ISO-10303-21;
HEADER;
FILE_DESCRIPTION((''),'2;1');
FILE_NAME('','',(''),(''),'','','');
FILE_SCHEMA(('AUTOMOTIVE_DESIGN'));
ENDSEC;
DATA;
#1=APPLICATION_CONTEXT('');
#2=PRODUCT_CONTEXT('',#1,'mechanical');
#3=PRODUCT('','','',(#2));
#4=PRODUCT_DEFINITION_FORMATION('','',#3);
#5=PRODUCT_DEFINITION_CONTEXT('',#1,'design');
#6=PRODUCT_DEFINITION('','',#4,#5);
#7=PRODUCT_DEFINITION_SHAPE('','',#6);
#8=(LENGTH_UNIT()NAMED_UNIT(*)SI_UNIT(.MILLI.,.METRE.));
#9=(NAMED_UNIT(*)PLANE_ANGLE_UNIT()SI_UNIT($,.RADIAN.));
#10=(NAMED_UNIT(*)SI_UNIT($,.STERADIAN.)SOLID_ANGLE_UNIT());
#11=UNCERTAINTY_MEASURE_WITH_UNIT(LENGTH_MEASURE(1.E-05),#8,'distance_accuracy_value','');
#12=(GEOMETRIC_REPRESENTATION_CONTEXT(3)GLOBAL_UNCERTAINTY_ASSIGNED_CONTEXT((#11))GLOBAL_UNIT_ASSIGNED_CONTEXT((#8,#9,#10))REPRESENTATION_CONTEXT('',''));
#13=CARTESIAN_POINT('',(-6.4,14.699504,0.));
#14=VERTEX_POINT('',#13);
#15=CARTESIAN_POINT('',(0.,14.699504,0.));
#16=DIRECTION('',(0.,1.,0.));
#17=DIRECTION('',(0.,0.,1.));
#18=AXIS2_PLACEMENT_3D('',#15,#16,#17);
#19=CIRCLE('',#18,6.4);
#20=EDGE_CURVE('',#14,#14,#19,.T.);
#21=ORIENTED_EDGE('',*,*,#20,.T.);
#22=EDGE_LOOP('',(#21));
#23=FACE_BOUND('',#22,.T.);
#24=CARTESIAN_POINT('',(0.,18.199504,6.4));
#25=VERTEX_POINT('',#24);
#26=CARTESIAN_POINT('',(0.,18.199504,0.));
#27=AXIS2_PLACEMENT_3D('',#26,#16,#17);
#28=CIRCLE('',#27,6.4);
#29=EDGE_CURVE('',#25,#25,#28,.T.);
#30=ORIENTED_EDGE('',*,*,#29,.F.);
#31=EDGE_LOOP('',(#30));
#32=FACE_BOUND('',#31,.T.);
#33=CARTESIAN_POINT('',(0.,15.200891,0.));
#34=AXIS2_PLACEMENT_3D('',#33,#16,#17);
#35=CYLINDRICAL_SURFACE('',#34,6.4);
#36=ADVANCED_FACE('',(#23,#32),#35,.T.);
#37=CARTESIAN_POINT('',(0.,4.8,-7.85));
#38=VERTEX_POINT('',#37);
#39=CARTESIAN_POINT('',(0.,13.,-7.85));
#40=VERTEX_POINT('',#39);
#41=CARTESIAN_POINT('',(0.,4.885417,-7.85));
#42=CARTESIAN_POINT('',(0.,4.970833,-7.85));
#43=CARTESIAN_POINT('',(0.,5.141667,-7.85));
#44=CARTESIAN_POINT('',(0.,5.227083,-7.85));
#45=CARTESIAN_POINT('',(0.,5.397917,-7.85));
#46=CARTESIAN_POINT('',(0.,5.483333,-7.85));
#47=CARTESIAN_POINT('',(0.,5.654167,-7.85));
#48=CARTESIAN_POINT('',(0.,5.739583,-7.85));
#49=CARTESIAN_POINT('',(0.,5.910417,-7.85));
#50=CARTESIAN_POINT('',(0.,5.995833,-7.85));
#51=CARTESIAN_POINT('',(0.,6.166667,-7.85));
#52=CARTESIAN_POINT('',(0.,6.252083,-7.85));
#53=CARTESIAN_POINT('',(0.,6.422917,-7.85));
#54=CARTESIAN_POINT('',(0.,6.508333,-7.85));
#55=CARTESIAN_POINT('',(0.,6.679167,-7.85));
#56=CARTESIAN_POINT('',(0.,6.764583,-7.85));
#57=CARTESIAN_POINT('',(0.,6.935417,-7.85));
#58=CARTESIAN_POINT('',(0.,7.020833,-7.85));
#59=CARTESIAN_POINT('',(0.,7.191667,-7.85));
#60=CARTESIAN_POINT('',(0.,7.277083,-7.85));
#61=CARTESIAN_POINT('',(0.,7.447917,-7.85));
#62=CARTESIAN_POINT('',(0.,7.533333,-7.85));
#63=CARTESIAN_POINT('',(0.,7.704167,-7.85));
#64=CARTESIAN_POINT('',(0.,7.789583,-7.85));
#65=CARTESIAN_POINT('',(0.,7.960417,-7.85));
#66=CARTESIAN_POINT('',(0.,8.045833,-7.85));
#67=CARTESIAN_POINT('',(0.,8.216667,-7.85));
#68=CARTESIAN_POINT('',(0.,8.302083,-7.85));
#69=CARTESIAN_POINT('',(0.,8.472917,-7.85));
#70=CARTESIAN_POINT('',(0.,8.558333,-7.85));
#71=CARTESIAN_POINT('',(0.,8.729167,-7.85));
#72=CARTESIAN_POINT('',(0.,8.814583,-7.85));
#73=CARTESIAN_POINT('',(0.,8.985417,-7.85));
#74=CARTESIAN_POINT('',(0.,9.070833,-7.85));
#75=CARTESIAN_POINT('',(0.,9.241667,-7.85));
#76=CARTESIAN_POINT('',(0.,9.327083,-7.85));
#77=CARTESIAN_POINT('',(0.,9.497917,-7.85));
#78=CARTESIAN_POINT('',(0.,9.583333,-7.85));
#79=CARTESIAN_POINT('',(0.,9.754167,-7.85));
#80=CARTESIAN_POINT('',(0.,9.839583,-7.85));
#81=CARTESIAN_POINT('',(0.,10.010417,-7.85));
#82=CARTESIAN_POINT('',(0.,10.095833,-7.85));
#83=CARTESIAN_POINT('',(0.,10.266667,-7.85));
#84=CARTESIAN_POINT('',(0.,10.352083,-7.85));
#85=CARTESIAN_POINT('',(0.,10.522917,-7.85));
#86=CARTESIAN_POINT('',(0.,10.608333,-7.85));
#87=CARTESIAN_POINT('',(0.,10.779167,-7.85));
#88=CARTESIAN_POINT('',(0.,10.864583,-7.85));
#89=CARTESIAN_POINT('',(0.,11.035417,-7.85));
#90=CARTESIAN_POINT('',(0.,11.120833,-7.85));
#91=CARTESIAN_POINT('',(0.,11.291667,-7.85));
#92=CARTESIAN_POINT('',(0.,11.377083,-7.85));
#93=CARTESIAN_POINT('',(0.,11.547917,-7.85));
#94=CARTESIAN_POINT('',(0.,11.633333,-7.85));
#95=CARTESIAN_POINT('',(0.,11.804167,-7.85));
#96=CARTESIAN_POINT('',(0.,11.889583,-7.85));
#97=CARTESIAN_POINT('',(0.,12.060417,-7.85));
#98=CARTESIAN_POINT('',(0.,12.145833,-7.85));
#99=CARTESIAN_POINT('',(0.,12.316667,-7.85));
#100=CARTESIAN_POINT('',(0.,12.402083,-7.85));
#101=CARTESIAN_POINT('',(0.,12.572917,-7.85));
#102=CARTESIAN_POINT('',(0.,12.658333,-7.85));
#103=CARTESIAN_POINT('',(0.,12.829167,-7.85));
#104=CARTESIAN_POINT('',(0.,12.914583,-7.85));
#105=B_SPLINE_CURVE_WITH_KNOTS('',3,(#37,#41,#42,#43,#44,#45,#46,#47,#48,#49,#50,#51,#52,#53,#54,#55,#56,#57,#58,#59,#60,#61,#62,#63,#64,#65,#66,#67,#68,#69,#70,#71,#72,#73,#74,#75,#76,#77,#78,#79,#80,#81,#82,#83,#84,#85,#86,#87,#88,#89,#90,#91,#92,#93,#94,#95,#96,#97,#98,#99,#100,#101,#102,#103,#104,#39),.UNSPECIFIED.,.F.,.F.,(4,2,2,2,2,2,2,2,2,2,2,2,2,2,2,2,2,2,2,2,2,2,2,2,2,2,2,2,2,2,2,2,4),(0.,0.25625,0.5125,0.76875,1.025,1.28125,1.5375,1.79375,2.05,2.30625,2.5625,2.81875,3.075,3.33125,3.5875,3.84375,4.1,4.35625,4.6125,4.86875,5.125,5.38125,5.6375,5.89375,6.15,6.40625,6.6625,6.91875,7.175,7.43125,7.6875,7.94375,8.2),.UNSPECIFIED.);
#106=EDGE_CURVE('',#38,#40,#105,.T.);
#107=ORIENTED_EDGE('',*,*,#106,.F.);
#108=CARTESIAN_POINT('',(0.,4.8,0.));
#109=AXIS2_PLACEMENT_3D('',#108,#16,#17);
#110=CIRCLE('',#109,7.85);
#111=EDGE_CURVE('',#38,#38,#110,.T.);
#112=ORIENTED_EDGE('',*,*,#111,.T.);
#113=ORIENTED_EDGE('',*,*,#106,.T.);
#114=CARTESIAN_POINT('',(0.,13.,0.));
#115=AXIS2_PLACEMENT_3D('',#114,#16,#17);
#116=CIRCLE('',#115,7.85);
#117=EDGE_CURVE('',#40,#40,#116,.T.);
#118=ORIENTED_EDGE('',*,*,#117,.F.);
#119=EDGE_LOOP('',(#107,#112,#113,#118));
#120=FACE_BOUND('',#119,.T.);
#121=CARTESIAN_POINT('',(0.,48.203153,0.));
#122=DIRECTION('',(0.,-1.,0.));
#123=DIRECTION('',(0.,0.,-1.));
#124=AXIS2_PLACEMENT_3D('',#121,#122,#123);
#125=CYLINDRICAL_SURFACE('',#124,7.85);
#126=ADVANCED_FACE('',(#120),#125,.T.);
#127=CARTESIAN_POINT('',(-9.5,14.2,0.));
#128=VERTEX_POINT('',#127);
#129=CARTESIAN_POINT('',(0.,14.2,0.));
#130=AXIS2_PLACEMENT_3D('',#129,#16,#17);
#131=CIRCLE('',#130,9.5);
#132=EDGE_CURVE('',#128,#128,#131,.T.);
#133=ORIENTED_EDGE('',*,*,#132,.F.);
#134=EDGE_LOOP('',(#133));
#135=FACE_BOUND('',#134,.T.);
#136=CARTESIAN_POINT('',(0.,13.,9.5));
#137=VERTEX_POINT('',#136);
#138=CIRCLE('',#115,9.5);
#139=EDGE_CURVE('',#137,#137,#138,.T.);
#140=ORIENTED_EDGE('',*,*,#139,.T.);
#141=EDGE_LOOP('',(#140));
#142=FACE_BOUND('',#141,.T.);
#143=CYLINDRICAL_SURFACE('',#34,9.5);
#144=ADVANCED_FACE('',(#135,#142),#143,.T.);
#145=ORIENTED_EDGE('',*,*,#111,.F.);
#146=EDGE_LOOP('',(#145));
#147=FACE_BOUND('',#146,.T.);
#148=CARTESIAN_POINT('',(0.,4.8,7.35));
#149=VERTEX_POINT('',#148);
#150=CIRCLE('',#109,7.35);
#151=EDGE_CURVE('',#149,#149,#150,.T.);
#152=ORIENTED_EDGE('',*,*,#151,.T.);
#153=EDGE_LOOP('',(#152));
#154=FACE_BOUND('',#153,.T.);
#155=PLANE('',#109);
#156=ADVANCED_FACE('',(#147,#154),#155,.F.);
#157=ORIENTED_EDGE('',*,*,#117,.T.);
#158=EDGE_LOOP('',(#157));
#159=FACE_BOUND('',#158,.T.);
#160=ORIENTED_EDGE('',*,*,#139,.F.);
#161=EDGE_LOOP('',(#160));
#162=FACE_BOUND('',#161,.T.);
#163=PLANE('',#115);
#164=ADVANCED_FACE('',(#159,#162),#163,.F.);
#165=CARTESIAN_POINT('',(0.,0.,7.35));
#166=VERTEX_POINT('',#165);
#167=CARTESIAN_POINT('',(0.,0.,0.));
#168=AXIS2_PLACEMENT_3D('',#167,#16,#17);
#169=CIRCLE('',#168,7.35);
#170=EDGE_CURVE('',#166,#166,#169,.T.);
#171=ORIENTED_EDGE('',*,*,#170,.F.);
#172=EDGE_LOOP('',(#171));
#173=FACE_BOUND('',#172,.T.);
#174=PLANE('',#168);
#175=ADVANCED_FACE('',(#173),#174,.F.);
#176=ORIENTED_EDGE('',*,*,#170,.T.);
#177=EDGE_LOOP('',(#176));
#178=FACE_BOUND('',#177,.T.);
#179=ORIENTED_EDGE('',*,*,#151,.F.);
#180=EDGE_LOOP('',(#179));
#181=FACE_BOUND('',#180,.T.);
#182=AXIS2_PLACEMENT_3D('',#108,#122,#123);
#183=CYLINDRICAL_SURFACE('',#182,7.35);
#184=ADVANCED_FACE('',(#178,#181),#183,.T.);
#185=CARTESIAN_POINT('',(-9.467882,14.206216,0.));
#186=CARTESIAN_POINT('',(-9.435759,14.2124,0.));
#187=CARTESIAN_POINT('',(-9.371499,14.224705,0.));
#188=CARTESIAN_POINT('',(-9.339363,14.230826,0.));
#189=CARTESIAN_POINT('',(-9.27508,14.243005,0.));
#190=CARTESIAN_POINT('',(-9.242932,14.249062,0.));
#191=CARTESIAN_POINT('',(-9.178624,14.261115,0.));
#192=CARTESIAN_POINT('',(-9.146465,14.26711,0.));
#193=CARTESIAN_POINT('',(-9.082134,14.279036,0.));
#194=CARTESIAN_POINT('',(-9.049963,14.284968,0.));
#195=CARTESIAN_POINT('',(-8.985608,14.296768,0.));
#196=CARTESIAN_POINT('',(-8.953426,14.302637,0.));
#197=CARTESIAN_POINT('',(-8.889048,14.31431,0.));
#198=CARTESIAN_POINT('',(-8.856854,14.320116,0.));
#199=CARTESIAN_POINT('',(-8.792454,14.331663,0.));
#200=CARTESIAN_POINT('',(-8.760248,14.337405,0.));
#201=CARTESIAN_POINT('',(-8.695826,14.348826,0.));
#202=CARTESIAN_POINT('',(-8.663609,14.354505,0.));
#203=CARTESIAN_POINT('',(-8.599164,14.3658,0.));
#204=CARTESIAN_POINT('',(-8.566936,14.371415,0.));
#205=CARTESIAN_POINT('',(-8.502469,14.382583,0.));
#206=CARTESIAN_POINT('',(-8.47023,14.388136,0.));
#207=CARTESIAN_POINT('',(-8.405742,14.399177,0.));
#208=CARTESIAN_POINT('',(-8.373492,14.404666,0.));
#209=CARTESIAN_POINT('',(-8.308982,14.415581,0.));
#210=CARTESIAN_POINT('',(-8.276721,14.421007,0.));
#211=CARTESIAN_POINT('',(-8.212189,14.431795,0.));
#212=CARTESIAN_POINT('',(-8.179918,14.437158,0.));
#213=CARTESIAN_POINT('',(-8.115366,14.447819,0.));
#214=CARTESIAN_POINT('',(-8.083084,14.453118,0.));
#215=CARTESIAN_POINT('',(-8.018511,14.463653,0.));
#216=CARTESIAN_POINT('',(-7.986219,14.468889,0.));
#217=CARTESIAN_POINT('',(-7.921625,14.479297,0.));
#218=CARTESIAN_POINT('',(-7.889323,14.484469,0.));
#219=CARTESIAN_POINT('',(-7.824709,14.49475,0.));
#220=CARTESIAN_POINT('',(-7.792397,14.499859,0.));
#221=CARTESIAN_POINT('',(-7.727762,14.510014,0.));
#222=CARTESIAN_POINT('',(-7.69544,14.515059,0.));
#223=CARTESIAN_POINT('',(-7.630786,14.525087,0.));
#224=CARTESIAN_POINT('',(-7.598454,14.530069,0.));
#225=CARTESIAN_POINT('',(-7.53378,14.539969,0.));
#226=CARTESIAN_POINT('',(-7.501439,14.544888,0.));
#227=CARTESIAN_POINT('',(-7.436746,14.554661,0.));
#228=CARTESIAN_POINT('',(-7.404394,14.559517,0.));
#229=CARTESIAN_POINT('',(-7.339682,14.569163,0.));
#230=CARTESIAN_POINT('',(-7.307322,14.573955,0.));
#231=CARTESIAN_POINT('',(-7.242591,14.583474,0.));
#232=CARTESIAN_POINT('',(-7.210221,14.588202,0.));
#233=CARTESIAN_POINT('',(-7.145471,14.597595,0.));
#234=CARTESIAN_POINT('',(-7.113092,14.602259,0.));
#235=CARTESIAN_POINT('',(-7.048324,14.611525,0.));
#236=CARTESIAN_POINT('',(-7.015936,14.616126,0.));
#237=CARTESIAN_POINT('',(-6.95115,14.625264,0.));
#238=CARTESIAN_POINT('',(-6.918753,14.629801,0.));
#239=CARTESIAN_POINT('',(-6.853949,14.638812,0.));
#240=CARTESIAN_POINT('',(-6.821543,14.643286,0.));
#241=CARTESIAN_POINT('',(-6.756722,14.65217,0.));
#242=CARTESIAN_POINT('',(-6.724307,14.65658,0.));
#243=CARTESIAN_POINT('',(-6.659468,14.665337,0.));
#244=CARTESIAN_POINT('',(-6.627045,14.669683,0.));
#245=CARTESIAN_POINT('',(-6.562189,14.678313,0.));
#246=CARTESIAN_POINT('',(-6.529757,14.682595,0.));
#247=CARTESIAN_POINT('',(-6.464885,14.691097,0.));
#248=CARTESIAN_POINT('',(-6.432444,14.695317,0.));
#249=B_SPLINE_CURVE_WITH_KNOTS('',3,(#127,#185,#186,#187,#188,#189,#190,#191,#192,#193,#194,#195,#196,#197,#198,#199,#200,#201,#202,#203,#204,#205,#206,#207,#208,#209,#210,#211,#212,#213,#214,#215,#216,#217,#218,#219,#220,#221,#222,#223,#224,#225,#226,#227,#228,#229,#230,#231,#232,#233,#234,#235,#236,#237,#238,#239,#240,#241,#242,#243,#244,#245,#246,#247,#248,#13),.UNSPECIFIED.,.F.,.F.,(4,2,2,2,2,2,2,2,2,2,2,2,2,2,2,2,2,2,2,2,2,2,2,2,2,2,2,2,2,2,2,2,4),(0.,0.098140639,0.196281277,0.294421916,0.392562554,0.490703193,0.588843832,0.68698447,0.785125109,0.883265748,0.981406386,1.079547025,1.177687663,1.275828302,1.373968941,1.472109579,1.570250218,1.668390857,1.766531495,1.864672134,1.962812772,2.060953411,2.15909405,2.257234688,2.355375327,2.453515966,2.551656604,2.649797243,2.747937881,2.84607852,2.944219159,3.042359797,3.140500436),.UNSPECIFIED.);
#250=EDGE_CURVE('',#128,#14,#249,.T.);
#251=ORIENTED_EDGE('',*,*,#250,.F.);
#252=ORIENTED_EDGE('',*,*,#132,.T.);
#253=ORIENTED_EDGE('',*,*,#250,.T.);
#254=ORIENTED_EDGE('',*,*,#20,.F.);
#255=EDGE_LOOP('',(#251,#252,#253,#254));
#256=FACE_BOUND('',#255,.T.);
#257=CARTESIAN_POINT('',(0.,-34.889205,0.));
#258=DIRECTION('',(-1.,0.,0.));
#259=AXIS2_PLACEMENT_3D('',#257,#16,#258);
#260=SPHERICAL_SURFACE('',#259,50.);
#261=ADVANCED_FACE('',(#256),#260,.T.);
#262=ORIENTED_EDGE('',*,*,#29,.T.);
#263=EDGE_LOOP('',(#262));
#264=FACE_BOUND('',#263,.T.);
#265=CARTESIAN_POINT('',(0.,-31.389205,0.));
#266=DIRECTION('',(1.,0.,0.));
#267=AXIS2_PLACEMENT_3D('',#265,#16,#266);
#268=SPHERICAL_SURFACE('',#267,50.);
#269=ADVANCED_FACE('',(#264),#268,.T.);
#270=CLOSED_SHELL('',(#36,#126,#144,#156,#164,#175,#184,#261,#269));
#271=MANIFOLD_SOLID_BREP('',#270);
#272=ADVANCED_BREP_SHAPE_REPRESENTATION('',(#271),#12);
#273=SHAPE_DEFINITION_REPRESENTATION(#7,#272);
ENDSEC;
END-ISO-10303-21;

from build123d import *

# Parameters (mm, degrees)
SKETCH1_R           = 7.35
BOSS_EXTRUDE1_DEPTH = 4.8
SKETCH2_R           = 7.85
BOSS_EXTRUDE2_DEPTH = 8.2


with BuildPart() as part:
    # Sketch1 → Boss-Extrude1 (new body)
    with BuildSketch(Plane(origin=(0, 0, 0), x_dir=(1, 0, 0), z_dir=(0, 1, 0))):
        with Locations(Location((0, 0, 0), (0, 0, 270))):
            Circle(SKETCH1_R)
    extrude(amount=BOSS_EXTRUDE1_DEPTH)

    # Sketch2 → Boss-Extrude2 (add)
    with BuildSketch(Plane(origin=(0, 4.8, 0), x_dir=(1, 0, 0), z_dir=(0, 1, 0))):
        with Locations(Location((0, 0, 0), (0, 0, 90))):
            Circle(SKETCH2_R)
    extrude(amount=BOSS_EXTRUDE2_DEPTH)

    # Sketch3 → Revolve2 (revolve)
    with BuildSketch(Plane.XY, mode=Mode.PRIVATE) as revolve2_sk:
        with BuildLine():
            Line((0, 18.610795484), (0, 13))
            Line((0, 13), (-7.85, 13))
            Line((-7.85, 13), (-9.5, 13))
            Line((-9.5, 13), (-9.5, 14.2))
            ThreePointArc((-9.5, 14.2), (-7.953922053, 14.474092821), (-6.4, 14.699503876))
            Line((-6.4, 14.699503876), (-6.4, 18.199503876))
            ThreePointArc((-6.4, 18.199503876), (-3.206601035, 18.507866639), (0, 18.610795484))
        make_face()
    revolve(revolve2_sk.sketch.rotate(Axis((0, 15.200891001, 0), (0, -1, 0)), 270), axis=Axis((0, 15.200891001, 0), (0, -1, 0)))


solid = part.part
